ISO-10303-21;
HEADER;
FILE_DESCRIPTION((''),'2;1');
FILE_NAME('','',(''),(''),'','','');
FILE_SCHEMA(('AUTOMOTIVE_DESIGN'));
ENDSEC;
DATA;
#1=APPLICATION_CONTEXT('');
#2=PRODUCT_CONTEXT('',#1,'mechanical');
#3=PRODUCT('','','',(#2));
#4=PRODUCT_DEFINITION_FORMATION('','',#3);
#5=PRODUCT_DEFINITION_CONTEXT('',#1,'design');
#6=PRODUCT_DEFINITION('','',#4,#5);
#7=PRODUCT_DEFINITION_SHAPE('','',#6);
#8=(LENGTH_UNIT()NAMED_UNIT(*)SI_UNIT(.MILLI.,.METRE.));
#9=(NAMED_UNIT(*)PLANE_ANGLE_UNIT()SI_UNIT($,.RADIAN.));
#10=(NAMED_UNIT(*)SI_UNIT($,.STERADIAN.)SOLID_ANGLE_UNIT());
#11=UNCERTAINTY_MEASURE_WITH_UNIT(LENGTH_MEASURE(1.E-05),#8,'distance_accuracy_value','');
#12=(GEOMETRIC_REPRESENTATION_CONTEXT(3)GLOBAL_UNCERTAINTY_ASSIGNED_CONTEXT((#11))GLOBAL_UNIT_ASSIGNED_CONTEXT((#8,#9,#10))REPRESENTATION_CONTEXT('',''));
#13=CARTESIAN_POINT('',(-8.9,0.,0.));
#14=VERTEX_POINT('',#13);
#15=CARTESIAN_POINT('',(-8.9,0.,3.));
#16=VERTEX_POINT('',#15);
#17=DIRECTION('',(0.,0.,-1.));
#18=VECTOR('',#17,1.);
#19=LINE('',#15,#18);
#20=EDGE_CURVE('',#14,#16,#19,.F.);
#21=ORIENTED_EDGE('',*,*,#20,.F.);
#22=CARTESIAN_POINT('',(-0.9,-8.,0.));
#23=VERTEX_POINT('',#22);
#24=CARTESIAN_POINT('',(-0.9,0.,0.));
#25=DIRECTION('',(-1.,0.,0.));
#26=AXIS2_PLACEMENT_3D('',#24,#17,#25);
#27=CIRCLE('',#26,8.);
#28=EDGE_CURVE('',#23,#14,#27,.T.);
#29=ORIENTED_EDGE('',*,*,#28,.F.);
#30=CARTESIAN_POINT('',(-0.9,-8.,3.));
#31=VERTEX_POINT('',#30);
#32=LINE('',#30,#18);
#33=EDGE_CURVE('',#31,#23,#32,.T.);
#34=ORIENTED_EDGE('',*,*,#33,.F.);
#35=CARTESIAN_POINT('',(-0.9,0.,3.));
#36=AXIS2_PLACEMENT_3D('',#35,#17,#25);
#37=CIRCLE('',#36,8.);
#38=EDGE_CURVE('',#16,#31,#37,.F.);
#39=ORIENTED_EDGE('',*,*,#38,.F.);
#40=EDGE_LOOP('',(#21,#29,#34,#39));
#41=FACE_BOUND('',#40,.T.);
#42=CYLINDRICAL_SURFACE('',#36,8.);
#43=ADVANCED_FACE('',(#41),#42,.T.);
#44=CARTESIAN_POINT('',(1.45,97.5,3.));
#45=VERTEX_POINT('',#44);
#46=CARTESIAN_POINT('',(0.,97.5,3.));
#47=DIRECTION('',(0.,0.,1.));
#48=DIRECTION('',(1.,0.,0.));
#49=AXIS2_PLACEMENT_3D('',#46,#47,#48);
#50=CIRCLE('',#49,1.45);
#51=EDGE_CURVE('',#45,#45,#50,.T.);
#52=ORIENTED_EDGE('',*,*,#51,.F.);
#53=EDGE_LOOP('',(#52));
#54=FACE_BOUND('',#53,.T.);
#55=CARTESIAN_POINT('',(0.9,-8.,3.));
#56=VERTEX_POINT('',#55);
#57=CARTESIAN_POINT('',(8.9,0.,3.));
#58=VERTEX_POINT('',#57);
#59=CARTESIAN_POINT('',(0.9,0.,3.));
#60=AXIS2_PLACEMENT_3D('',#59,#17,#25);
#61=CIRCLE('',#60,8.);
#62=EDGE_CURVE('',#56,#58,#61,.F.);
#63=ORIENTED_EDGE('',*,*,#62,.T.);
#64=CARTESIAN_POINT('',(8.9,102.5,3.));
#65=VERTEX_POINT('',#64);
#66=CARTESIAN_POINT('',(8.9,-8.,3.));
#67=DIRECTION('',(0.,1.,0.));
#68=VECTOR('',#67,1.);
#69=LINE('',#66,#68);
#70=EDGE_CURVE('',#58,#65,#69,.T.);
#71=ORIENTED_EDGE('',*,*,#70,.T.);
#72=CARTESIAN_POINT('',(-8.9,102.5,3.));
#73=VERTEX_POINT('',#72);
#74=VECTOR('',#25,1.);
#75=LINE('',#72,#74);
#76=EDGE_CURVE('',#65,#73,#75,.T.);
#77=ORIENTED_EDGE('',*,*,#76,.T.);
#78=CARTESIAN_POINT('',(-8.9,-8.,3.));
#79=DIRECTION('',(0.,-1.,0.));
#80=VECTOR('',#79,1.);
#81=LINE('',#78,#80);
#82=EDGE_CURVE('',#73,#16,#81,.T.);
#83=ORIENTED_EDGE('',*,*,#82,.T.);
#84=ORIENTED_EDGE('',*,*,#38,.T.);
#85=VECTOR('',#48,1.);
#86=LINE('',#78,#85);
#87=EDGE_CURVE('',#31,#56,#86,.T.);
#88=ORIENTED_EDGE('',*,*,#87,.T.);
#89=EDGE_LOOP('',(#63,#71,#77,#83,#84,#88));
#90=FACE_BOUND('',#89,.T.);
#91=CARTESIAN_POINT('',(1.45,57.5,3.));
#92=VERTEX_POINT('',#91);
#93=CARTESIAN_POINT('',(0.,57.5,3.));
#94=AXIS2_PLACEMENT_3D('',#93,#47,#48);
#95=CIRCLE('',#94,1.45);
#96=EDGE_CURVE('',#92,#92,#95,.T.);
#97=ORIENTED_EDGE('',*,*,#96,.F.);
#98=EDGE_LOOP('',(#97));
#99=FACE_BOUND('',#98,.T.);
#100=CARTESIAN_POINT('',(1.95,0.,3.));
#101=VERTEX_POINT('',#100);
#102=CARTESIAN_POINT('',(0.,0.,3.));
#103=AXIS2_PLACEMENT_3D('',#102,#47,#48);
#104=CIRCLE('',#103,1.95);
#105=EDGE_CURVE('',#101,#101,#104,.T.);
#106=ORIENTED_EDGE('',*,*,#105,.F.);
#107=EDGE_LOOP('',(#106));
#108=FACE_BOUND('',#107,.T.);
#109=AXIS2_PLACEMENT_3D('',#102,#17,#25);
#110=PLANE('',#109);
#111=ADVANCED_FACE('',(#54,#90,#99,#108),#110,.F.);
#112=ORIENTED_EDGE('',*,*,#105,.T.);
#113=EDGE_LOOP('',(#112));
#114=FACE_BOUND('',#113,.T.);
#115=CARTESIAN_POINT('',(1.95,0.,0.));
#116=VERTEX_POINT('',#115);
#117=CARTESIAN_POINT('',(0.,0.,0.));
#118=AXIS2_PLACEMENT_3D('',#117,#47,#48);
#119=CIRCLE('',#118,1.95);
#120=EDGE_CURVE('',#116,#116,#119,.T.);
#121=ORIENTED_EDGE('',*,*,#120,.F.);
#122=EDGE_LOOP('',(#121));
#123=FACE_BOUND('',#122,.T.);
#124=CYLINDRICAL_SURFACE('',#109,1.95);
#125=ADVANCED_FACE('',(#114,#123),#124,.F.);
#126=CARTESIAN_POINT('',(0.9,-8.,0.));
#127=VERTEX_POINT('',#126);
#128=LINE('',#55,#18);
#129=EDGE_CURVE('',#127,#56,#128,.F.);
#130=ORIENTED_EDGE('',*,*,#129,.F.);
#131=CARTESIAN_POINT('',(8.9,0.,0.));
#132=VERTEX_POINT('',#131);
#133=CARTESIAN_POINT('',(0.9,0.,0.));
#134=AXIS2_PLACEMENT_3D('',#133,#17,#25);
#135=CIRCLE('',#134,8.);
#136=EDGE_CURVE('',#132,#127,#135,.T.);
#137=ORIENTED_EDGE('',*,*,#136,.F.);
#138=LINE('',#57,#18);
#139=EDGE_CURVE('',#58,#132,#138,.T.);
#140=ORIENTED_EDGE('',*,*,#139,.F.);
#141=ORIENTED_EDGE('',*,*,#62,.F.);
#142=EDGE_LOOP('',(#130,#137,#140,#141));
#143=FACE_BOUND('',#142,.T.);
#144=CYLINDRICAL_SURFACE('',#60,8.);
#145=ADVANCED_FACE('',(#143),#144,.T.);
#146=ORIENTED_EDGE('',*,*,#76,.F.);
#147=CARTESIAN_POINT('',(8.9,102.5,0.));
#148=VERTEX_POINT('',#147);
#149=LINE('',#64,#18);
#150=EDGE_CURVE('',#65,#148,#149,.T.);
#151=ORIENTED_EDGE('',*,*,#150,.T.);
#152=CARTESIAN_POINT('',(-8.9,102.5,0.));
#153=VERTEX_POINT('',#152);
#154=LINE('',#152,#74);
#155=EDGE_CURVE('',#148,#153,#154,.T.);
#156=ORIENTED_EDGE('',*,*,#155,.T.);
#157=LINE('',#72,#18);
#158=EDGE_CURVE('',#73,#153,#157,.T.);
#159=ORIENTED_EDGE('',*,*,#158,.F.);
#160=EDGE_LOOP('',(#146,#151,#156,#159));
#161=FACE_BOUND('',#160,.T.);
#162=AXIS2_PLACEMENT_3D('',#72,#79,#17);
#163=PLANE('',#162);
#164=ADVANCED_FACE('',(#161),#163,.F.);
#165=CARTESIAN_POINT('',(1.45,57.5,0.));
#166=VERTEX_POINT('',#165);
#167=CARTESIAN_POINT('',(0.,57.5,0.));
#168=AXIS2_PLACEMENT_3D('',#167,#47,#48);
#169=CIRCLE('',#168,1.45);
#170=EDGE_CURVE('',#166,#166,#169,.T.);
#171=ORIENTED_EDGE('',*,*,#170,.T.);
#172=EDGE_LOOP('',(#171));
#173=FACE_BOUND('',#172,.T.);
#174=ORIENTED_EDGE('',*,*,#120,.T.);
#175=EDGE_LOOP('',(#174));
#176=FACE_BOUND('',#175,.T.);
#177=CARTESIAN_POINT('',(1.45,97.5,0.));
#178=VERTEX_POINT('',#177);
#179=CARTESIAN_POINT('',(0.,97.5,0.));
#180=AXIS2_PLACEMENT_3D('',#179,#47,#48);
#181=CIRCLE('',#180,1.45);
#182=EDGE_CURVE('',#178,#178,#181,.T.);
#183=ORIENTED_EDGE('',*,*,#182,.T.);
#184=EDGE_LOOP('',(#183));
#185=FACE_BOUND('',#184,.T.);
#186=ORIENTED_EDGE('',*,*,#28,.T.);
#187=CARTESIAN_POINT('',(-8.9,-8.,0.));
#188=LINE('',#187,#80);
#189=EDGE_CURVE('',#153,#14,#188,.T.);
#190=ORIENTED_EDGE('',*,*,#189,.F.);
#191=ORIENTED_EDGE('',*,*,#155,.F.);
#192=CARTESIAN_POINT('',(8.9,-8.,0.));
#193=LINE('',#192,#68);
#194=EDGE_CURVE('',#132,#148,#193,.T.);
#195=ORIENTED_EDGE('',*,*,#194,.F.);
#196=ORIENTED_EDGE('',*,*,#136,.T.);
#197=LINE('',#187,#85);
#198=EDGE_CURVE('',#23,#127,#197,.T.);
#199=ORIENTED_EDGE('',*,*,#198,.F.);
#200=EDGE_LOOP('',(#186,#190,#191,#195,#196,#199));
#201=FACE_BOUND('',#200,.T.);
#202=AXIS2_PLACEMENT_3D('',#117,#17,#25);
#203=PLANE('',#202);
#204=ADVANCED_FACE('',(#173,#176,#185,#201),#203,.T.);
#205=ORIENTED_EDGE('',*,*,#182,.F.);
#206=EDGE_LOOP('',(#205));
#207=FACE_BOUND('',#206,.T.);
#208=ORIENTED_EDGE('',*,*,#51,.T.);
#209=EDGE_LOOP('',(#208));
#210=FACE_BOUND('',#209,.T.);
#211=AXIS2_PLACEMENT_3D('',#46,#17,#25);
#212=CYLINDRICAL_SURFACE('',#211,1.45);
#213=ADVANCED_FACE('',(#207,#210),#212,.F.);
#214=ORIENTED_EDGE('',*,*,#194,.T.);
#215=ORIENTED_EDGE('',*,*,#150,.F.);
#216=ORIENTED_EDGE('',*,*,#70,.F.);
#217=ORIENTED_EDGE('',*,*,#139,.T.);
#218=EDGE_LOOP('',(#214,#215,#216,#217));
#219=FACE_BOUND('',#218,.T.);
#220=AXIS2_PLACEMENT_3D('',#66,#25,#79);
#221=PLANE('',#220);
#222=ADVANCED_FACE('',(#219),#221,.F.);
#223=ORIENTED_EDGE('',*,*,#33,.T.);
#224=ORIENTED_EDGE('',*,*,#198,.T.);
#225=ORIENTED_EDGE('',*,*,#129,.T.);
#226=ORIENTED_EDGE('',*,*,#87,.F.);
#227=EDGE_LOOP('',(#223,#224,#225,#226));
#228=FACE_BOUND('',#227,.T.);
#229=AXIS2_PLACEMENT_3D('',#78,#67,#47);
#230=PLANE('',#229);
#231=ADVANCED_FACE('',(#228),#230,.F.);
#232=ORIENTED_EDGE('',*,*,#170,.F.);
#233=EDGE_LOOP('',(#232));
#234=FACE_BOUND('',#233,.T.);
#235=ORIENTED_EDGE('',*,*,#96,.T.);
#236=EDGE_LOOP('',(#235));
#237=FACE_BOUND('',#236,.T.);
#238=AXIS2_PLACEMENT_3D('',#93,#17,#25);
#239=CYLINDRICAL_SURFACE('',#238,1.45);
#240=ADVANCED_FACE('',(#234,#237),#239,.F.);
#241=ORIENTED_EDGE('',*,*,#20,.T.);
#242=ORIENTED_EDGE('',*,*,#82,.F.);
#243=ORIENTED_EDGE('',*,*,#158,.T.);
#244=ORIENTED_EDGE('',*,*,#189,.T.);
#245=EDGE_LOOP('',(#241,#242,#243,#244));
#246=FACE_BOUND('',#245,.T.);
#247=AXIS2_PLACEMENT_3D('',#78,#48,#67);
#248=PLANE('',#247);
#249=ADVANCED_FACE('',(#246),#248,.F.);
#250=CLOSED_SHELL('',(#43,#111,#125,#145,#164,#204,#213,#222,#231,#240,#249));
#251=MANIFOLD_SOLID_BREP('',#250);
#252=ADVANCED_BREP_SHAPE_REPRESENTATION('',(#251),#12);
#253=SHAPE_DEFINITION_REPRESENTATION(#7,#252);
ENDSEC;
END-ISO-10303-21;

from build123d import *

# Parameters (mm, degrees)
SKETCH_1_W      = 17.8
SKETCH_1_H      = 110.5
SKETCH_1_R      = 1.95
SKETCH_1_R_2    = 1.45
EXTRUDE_1_DEPTH = 3
FILLET_1_R      = 8


with BuildPart() as part:
    # 草图1 → 凸台-拉伸1 (new body)
    with BuildSketch(Plane.XY):
        with Locations((0, 47.25)):
            Rectangle(SKETCH_1_W, SKETCH_1_H)
        Circle(SKETCH_1_R, mode=Mode.SUBTRACT)
        with Locations((0, 57.5)):
            Circle(SKETCH_1_R_2, mode=Mode.SUBTRACT)
        with Locations((0, 97.5)):
            Circle(SKETCH_1_R_2, mode=Mode.SUBTRACT)
    extrude(amount=EXTRUDE_1_DEPTH)

    # 圆角1
    fillet_1_edges = [part.edges().sort_by_distance(p)[0] for p in [
        (8.9, -8, 1.5),
        (-8.9, -8, 1.5),
    ]]
    fillet(fillet_1_edges, radius=FILLET_1_R)


solid = part.part
